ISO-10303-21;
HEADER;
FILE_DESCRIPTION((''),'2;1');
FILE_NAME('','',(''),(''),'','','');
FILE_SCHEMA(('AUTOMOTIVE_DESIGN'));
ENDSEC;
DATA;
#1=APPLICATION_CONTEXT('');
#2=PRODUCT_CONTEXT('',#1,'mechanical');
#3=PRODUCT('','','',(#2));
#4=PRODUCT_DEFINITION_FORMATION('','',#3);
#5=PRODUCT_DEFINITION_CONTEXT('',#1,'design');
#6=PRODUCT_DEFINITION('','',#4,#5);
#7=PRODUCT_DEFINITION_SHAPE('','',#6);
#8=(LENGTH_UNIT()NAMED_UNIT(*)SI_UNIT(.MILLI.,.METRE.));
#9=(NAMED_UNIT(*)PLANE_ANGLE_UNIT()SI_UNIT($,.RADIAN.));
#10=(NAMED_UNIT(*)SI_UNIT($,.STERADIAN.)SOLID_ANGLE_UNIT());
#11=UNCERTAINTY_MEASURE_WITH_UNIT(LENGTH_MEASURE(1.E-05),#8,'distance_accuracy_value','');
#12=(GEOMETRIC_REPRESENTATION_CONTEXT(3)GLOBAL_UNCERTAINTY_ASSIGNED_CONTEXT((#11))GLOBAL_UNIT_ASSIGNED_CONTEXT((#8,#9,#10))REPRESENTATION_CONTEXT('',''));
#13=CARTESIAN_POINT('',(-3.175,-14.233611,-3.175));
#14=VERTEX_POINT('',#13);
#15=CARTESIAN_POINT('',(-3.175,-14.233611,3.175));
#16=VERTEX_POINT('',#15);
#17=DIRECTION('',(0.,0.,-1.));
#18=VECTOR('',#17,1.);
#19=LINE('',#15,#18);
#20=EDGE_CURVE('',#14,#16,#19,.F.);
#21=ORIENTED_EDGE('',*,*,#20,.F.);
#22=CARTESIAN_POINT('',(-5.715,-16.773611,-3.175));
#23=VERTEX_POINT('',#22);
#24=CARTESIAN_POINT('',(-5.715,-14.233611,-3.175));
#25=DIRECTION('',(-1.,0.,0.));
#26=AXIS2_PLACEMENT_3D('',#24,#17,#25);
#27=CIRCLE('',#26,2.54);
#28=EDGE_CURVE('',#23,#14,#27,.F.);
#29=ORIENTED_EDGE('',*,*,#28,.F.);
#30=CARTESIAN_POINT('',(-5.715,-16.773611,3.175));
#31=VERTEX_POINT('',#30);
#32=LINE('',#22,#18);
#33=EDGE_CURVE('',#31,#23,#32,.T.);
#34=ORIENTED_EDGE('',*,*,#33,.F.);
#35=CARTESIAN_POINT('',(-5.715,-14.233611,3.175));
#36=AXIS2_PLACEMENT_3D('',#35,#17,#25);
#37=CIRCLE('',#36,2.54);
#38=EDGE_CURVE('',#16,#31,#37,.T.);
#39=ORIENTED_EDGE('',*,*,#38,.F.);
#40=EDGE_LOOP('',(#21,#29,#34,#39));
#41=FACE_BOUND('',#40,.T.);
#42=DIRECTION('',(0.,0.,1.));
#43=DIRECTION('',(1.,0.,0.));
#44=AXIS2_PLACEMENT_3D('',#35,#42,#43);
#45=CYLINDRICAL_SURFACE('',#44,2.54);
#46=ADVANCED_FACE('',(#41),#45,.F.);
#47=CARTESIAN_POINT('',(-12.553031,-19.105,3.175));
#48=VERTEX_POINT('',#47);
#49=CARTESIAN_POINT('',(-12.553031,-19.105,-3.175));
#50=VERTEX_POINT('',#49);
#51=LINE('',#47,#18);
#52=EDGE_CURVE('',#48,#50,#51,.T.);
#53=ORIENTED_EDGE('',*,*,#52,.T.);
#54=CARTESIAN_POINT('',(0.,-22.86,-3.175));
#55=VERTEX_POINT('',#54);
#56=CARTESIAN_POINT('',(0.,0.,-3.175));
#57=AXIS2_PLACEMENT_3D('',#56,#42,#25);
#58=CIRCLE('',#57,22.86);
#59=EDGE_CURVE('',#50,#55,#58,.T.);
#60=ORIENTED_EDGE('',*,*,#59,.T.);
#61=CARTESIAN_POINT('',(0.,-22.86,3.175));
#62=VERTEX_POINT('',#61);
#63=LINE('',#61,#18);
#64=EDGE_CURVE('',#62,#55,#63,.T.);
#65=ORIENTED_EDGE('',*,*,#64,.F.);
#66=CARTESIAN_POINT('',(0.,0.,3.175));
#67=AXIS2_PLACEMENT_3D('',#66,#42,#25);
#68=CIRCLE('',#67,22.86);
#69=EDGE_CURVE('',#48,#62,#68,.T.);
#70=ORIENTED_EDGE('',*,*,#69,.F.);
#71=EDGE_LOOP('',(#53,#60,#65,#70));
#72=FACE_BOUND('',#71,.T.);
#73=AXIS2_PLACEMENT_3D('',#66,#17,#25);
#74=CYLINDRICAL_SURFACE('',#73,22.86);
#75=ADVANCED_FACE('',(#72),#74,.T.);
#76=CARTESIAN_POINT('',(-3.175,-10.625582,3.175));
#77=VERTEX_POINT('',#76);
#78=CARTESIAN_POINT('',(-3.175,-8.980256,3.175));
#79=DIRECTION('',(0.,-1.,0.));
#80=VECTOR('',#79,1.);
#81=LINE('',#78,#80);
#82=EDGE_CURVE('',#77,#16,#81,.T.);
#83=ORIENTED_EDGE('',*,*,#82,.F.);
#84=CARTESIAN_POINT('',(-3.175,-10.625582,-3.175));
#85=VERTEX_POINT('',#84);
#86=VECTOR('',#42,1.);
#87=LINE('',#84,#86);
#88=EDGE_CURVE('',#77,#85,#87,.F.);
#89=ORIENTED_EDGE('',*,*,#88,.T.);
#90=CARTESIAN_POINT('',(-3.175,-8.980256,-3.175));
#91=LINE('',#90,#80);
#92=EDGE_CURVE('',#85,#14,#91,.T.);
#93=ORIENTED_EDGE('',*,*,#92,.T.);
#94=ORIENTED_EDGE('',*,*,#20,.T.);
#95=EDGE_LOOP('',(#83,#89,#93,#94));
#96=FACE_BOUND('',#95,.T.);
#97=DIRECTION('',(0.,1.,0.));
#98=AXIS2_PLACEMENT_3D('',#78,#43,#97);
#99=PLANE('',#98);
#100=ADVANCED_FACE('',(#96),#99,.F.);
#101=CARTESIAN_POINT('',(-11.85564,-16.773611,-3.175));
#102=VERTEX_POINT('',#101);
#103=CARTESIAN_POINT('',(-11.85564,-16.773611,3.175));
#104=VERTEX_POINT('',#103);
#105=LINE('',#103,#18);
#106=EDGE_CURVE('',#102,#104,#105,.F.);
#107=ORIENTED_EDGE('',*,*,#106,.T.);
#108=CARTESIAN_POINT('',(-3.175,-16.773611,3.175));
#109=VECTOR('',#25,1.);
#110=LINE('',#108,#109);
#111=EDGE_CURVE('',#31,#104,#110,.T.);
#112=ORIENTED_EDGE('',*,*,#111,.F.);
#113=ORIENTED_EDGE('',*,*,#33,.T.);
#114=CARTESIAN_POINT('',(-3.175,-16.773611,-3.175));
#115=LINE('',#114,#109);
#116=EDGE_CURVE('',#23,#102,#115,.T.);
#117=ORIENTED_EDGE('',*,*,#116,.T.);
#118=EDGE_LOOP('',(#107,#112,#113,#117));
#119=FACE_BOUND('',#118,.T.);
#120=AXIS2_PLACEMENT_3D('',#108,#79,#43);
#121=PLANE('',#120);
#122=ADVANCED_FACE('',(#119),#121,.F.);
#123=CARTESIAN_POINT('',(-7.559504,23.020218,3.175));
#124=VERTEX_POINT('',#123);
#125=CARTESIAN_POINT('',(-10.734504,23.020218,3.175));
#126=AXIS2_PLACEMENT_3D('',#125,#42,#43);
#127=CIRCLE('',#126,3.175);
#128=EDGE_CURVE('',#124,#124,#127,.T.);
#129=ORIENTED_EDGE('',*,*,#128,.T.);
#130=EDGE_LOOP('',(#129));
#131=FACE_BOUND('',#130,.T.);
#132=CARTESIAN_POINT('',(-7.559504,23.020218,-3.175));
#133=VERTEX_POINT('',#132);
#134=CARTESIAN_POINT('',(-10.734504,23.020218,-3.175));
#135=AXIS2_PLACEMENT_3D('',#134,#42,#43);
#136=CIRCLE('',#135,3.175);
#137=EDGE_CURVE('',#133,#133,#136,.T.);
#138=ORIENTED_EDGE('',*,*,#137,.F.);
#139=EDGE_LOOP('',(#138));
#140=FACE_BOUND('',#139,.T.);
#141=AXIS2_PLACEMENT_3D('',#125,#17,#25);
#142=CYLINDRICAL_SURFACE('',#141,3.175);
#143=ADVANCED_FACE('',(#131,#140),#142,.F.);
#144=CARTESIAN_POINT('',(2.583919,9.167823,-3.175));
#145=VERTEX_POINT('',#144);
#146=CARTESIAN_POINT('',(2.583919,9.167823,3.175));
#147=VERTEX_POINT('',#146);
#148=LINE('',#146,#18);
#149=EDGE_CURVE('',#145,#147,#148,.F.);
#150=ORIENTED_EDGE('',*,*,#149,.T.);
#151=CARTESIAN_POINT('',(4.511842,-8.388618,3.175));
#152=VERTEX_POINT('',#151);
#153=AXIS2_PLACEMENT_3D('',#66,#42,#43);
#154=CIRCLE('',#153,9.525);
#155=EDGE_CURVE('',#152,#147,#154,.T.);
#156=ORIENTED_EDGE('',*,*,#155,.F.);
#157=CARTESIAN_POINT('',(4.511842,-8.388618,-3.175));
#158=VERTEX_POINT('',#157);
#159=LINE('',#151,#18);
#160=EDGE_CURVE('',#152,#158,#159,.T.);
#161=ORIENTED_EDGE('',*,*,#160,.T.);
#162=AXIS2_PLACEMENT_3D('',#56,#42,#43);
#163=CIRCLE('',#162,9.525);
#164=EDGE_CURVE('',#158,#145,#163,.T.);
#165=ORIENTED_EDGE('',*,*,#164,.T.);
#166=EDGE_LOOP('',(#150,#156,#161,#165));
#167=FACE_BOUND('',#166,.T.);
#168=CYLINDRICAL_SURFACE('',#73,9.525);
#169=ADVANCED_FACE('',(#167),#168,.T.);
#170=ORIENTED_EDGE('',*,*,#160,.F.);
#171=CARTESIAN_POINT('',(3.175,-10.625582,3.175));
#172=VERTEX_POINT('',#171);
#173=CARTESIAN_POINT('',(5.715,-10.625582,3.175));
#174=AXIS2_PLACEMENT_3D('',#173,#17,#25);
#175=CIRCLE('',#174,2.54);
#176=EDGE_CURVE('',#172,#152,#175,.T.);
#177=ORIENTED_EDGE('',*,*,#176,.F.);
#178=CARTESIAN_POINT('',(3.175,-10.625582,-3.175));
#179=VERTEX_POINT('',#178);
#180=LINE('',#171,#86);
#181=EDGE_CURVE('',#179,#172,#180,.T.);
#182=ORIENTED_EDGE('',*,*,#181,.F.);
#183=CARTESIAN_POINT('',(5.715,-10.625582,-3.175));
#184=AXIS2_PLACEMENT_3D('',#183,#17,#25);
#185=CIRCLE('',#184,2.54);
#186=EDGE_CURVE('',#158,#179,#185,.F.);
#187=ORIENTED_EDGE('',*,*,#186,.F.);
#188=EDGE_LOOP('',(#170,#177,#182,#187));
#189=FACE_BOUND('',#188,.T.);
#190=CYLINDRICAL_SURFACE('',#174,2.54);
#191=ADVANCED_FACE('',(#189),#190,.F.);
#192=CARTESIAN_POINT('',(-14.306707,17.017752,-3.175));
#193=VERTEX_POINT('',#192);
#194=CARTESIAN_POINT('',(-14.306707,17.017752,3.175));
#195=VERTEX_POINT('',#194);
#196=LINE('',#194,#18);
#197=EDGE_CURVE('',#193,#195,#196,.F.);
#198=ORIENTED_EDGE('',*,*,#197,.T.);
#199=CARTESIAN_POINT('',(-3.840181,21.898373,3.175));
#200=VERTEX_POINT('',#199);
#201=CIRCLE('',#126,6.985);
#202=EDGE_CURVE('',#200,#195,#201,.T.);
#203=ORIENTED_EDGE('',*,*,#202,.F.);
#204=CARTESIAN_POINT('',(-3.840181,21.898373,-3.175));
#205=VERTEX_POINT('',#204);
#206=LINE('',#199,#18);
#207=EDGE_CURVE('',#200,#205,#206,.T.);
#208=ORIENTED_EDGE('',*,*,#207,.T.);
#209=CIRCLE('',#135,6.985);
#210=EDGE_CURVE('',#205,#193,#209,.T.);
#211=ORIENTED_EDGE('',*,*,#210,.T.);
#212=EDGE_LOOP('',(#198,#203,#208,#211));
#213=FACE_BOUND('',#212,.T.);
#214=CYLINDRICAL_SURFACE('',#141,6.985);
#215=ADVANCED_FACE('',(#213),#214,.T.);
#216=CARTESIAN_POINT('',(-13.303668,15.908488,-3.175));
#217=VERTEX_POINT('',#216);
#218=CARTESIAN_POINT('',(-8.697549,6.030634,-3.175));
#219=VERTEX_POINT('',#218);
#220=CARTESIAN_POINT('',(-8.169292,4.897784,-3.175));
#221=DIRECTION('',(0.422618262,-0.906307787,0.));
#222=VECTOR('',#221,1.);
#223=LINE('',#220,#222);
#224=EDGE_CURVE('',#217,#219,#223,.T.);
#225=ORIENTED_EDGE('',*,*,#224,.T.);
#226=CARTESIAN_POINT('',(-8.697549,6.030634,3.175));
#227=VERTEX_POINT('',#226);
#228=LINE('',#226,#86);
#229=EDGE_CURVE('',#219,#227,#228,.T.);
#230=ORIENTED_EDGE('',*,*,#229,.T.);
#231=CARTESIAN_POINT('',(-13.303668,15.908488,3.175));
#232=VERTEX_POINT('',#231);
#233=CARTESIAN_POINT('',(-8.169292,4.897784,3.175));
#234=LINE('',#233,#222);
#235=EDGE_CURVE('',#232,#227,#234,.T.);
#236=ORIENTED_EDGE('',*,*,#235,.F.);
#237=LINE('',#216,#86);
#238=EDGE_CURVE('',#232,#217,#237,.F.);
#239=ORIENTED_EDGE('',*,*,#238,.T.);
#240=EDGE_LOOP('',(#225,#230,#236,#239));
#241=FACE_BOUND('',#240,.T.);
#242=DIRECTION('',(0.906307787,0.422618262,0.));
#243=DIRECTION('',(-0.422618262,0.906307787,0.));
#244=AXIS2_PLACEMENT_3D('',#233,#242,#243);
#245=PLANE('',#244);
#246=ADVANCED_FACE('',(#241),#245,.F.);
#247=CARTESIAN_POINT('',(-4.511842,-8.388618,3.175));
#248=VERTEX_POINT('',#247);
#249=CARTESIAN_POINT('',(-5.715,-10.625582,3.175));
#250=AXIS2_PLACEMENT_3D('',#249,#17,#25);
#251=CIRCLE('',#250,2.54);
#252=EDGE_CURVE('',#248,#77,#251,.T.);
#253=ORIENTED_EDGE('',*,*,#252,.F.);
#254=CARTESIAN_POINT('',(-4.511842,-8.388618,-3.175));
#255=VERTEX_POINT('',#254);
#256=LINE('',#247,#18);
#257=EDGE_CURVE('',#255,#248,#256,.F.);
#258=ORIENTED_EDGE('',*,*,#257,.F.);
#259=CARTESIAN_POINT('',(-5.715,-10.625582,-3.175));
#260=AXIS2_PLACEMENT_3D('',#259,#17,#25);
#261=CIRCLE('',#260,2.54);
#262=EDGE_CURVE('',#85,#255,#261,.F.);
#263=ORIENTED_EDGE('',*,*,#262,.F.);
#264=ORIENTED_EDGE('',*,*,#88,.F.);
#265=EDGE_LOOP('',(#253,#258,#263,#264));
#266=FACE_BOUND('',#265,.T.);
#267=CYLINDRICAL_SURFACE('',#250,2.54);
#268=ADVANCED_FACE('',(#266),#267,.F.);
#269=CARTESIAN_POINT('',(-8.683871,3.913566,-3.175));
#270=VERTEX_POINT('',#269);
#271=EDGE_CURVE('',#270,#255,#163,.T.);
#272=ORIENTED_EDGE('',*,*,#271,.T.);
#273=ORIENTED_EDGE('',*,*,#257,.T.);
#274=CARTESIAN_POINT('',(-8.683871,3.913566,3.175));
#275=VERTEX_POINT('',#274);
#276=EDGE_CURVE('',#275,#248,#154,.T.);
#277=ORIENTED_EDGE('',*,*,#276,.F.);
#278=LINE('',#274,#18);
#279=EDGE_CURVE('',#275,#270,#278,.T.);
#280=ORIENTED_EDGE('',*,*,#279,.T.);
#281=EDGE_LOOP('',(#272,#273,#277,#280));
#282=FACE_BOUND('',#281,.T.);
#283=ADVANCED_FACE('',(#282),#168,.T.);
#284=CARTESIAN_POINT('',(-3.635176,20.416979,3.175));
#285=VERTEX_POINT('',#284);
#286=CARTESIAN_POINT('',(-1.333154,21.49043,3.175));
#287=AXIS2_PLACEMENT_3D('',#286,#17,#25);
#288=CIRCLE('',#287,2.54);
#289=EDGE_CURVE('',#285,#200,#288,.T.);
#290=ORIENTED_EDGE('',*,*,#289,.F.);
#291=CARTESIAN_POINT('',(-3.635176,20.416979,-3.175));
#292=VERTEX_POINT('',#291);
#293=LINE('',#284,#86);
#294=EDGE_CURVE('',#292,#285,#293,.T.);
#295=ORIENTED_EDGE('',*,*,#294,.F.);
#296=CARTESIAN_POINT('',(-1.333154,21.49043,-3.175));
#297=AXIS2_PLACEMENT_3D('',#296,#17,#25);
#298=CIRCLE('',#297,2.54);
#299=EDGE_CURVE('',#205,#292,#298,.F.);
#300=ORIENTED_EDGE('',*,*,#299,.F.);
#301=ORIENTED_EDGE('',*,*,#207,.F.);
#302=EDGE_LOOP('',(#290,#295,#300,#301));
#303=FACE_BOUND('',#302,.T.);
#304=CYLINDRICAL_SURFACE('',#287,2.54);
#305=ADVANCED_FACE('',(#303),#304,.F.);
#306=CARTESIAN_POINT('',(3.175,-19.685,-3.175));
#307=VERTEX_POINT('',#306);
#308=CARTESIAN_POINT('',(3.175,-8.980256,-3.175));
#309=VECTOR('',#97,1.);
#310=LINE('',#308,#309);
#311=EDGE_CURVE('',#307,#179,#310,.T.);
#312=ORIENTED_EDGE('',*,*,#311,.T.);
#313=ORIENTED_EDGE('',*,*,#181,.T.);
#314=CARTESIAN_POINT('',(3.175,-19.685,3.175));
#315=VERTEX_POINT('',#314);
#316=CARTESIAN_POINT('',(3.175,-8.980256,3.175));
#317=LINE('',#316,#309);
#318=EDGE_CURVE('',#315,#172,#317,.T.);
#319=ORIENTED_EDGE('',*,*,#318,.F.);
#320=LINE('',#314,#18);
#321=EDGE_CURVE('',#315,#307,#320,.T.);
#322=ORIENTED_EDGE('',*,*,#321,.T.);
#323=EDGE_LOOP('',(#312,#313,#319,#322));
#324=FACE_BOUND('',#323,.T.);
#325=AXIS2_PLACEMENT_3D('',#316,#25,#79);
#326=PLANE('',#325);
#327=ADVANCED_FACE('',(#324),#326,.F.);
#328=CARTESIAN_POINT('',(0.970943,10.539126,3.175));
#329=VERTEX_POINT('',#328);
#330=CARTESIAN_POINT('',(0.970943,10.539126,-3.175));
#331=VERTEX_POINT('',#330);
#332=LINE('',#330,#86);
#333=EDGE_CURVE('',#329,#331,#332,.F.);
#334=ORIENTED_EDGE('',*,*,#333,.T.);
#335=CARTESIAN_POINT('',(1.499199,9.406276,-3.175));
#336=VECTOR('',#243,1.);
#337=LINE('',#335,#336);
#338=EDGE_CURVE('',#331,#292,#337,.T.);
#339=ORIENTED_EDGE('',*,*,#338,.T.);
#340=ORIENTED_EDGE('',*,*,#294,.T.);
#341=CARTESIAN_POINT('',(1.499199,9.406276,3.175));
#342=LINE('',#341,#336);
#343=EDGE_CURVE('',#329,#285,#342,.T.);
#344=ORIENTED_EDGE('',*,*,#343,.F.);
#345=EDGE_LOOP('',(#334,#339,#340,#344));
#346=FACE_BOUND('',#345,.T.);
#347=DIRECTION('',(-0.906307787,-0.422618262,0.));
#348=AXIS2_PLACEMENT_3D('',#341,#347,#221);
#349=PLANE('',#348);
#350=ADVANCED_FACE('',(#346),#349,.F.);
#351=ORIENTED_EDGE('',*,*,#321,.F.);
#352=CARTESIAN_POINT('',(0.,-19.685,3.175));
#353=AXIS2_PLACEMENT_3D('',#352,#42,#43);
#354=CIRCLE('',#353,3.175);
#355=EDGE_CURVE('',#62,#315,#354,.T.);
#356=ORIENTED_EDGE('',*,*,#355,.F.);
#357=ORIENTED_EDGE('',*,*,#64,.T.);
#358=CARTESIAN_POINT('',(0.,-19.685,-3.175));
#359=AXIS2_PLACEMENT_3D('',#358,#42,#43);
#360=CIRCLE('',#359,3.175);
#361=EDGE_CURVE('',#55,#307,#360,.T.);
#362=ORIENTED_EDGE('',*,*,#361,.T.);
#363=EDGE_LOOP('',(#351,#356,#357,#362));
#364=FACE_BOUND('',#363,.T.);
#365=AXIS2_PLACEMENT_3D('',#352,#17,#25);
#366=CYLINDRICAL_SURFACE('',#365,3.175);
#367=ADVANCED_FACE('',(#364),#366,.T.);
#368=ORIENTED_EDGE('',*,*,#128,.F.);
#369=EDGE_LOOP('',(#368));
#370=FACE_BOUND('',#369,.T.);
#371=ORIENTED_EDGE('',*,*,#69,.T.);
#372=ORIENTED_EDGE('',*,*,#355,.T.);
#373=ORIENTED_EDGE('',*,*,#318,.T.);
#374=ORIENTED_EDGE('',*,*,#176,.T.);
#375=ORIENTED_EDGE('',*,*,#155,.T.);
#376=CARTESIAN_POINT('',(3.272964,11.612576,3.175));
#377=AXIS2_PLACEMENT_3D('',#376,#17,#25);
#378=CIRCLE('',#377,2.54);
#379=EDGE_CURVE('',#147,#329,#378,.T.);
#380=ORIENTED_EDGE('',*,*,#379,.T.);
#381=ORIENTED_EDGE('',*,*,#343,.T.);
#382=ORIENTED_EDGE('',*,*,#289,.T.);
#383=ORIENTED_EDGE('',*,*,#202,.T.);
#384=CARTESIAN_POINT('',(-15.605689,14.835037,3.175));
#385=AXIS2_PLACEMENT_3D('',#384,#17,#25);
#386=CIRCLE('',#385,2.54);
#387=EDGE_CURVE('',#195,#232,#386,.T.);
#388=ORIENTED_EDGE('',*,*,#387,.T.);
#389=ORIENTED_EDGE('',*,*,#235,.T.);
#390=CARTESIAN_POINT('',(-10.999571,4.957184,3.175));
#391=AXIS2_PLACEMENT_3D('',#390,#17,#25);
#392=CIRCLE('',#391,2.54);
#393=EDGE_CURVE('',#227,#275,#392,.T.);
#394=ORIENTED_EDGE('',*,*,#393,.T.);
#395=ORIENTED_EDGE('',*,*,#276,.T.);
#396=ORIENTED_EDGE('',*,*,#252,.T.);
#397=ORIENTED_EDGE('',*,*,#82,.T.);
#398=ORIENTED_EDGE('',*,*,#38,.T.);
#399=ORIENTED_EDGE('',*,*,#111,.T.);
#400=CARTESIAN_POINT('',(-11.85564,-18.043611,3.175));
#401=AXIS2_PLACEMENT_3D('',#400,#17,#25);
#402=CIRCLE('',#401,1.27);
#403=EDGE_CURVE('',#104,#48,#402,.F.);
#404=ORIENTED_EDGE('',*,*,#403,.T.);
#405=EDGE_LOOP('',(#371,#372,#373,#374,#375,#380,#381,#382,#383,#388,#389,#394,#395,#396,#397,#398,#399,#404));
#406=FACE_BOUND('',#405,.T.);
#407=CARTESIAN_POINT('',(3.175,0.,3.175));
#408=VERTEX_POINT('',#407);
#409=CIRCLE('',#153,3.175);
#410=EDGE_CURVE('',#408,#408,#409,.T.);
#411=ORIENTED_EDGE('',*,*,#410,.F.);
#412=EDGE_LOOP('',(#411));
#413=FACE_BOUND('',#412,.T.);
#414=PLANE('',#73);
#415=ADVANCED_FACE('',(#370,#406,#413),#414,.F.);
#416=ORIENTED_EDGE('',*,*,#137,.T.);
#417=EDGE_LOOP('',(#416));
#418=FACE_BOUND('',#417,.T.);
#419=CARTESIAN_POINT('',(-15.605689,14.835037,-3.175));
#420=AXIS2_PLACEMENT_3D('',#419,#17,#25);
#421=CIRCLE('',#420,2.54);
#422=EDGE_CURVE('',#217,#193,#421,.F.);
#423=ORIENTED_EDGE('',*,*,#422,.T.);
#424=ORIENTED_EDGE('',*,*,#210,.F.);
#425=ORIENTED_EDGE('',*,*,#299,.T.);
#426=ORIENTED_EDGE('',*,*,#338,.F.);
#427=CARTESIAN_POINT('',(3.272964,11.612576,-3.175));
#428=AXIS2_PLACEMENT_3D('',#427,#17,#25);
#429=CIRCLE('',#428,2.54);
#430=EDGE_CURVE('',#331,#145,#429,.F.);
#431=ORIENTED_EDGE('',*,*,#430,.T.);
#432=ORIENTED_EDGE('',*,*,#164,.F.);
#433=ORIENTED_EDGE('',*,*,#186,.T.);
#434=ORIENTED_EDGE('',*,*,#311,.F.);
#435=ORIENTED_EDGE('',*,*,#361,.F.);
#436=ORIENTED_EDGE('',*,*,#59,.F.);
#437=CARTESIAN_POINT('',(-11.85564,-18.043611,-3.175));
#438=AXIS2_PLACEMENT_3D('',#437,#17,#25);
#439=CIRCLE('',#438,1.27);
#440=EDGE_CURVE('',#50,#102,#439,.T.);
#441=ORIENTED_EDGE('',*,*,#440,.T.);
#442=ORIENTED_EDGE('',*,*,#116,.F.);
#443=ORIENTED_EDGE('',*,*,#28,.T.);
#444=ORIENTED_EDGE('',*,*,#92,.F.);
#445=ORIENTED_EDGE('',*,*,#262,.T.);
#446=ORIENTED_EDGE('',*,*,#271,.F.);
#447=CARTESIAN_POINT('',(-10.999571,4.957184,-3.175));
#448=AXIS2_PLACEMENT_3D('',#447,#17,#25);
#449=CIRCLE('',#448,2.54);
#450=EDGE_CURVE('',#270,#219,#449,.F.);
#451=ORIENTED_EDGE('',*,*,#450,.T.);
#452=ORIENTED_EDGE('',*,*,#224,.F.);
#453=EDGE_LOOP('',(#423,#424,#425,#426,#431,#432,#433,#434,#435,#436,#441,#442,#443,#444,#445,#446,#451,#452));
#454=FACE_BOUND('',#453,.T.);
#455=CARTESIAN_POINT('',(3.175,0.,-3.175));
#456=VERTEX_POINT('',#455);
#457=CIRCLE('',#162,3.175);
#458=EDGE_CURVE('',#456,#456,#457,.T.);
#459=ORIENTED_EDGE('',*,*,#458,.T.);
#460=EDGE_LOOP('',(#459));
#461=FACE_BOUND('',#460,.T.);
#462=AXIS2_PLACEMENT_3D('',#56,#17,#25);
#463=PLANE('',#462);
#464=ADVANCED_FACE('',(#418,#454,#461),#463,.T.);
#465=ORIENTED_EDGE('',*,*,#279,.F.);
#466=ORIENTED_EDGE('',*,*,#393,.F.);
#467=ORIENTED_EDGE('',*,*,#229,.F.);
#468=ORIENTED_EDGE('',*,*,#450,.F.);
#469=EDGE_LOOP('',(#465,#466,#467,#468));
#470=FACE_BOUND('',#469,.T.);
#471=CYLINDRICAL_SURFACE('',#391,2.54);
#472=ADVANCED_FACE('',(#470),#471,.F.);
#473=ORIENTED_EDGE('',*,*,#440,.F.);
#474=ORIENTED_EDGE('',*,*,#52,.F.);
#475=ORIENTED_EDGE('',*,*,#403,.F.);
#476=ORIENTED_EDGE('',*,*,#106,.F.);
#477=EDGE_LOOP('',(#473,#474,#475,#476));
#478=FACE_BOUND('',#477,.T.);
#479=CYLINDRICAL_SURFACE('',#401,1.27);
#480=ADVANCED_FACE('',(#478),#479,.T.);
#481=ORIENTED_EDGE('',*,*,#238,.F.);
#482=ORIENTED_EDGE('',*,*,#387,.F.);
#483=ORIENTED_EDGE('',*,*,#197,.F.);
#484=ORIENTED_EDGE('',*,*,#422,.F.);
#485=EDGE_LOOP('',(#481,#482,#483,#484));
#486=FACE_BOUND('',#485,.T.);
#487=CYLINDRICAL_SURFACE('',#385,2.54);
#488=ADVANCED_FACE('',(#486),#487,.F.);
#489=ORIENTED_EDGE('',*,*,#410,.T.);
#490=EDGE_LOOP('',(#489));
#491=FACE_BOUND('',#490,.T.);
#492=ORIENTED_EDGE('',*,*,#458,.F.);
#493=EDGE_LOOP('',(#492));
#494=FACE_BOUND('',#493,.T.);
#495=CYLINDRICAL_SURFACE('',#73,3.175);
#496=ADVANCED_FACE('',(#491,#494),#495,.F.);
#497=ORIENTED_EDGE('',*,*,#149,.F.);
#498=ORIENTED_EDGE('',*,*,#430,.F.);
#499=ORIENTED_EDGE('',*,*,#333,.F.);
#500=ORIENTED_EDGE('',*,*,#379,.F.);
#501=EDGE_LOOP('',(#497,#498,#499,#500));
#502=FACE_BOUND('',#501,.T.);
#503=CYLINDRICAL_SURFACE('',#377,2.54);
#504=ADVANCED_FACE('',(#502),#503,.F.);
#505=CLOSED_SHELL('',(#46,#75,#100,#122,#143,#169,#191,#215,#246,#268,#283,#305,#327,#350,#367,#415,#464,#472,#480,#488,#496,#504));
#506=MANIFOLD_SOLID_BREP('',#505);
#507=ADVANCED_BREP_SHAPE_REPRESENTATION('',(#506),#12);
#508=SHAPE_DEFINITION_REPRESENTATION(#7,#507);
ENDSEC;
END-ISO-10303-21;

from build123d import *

# Parameters (mm, degrees)
SKETCH1_R           = 3.175
BOSS_EXTRUDE1_DEPTH = 3.175
FILLET1_R           = 2.54
FILLET2_R           = 1.27


with BuildPart() as part:
    # Sketch1 → Boss-Extrude1 (new, symmetric)
    with BuildSketch(Plane.XY):
        with BuildLine():
            Line((1.499199331, 9.406275903), (-3.9943168, 21.187159265))
            ThreePointArc((-3.9943168, 21.187159265), (-13.686492406, 29.350777683), (-13.662808272, 16.678667649))
            Line((-13.662808272, 16.678667649), (-8.169292141, 4.897784287))
            ThreePointArc((-8.169292141, 4.897784287), (-8.962323495, -3.225272479), (-3.175, -8.980256121))
            Line((-3.175, -8.980256121), (-3.175, -16.773611102))
            Line((-3.175, -16.773611102), (-15.531438137, -16.773611102))
            ThreePointArc((-15.531438137, -16.773611102), (-8.340708909, -21.284082665), (0, -22.86))
            ThreePointArc((0, -22.86), (2.24506403, -21.93006403), (3.175, -19.685))
            Line((3.175, -19.685), (3.175, -8.980256121))
            ThreePointArc((3.175, -8.980256121), (9.485682623, 0.864552013), (1.499199331, 9.406275903))
        make_face()
        with Locations((-10.734503848, 23.020217791)):
            Circle(SKETCH1_R, mode=Mode.SUBTRACT)
        Circle(SKETCH1_R, mode=Mode.SUBTRACT)
    extrude(amount=BOSS_EXTRUDE1_DEPTH, both=True)

    # Fillet1
    fillet1_edges = [part.edges().sort_by_distance(p)[0] for p in [
        (-3.175, -16.773611102, 0),
        (-3.175, -8.980256121, 0),
        (-8.169292141, 4.897784287, 0),
        (-13.662808272, 16.678667649, 0),
        (-3.9943168, 21.187159265, 0),
        (1.499199331, 9.406275903, 0),
        (3.175, -8.980256121, 0),
    ]]
    fillet(fillet1_edges, radius=FILLET1_R)

    # Fillet2
    fillet2_edges = [part.edges().sort_by_distance(p)[0] for p in [
        (-15.531438137, -16.773611102, 0),
    ]]
    fillet(fillet2_edges, radius=FILLET2_R)


solid = part.part
